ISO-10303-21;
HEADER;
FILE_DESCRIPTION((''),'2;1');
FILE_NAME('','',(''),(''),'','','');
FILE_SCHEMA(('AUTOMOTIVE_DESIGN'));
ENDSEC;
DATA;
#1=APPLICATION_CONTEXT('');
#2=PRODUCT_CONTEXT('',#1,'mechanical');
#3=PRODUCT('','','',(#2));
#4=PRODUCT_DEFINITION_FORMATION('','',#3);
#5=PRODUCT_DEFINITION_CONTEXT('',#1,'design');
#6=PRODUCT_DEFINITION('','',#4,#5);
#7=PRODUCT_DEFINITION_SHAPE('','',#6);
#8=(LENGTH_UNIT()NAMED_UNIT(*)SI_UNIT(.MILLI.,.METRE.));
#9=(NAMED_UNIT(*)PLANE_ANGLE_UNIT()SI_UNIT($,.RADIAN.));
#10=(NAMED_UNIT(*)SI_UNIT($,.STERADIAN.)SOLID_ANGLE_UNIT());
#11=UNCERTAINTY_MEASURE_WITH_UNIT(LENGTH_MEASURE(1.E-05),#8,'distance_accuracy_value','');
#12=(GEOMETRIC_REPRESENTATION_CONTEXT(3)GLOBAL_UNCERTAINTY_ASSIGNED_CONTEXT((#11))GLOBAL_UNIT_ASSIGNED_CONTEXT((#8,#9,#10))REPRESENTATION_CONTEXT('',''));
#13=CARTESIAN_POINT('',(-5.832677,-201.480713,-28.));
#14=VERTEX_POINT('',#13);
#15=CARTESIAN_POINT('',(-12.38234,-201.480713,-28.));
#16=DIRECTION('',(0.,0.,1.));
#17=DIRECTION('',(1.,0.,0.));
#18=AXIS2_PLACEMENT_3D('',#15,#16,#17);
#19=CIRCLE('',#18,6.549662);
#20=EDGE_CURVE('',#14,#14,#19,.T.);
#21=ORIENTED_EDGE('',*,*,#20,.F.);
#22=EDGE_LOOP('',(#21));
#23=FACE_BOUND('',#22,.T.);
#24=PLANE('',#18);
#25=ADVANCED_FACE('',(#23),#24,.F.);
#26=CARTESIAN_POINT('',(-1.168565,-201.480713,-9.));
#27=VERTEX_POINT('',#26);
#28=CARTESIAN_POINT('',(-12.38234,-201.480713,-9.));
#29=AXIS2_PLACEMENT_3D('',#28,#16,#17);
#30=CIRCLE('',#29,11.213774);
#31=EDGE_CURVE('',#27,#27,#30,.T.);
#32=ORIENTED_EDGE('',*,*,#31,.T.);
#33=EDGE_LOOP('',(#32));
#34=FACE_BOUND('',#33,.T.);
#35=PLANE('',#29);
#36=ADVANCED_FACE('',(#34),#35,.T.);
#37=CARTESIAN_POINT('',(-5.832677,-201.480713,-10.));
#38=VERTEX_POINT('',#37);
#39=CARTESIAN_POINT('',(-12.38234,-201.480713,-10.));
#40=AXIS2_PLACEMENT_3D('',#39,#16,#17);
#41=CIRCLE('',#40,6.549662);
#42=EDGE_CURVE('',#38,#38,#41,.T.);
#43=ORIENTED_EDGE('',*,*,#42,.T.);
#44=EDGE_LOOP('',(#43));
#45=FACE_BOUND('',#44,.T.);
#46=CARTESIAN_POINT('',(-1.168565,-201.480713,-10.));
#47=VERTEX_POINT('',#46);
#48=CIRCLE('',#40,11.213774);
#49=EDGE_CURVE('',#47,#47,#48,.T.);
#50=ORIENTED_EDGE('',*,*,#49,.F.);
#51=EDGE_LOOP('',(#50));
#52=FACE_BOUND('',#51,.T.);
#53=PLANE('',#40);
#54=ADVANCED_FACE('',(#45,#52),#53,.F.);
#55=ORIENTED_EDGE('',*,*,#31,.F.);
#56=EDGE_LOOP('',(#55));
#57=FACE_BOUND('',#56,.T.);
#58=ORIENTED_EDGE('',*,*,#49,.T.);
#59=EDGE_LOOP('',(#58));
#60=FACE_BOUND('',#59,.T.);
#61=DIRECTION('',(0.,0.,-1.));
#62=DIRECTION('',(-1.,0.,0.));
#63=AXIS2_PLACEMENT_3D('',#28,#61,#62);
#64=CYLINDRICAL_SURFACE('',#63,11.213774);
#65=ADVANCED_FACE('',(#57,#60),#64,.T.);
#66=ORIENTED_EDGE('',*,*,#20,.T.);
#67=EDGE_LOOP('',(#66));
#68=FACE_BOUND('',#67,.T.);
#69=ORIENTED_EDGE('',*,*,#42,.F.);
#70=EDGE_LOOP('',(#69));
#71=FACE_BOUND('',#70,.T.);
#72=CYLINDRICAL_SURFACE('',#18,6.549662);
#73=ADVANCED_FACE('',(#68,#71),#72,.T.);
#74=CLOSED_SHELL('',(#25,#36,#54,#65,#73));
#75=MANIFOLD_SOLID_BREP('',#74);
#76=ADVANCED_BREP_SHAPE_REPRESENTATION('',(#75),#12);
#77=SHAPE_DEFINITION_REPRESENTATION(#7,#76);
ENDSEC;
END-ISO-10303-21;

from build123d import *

# Parameters (mm, degrees)
SKETCH2_R           = 6.549662411
BOSS_EXTRUDE1_DEPTH = 18
SKETCH3_R           = 11.213774428
BOSS_EXTRUDE2_DEPTH = 1


with BuildPart() as part:
    # Sketch2 → Boss-Extrude1 (new body)
    with BuildSketch(Plane.XY.offset(-10)):
        with Locations((-12.382339739, -201.480712532)):
            Circle(SKETCH2_R)
    extrude(amount=-BOSS_EXTRUDE1_DEPTH)

    # Sketch3 → Boss-Extrude2 (add)
    with BuildSketch(Plane.XY.offset(-10)):
        with Locations((-12.382339739, -201.480712532)):
            Circle(SKETCH3_R)
    extrude(amount=BOSS_EXTRUDE2_DEPTH)


solid = part.part
